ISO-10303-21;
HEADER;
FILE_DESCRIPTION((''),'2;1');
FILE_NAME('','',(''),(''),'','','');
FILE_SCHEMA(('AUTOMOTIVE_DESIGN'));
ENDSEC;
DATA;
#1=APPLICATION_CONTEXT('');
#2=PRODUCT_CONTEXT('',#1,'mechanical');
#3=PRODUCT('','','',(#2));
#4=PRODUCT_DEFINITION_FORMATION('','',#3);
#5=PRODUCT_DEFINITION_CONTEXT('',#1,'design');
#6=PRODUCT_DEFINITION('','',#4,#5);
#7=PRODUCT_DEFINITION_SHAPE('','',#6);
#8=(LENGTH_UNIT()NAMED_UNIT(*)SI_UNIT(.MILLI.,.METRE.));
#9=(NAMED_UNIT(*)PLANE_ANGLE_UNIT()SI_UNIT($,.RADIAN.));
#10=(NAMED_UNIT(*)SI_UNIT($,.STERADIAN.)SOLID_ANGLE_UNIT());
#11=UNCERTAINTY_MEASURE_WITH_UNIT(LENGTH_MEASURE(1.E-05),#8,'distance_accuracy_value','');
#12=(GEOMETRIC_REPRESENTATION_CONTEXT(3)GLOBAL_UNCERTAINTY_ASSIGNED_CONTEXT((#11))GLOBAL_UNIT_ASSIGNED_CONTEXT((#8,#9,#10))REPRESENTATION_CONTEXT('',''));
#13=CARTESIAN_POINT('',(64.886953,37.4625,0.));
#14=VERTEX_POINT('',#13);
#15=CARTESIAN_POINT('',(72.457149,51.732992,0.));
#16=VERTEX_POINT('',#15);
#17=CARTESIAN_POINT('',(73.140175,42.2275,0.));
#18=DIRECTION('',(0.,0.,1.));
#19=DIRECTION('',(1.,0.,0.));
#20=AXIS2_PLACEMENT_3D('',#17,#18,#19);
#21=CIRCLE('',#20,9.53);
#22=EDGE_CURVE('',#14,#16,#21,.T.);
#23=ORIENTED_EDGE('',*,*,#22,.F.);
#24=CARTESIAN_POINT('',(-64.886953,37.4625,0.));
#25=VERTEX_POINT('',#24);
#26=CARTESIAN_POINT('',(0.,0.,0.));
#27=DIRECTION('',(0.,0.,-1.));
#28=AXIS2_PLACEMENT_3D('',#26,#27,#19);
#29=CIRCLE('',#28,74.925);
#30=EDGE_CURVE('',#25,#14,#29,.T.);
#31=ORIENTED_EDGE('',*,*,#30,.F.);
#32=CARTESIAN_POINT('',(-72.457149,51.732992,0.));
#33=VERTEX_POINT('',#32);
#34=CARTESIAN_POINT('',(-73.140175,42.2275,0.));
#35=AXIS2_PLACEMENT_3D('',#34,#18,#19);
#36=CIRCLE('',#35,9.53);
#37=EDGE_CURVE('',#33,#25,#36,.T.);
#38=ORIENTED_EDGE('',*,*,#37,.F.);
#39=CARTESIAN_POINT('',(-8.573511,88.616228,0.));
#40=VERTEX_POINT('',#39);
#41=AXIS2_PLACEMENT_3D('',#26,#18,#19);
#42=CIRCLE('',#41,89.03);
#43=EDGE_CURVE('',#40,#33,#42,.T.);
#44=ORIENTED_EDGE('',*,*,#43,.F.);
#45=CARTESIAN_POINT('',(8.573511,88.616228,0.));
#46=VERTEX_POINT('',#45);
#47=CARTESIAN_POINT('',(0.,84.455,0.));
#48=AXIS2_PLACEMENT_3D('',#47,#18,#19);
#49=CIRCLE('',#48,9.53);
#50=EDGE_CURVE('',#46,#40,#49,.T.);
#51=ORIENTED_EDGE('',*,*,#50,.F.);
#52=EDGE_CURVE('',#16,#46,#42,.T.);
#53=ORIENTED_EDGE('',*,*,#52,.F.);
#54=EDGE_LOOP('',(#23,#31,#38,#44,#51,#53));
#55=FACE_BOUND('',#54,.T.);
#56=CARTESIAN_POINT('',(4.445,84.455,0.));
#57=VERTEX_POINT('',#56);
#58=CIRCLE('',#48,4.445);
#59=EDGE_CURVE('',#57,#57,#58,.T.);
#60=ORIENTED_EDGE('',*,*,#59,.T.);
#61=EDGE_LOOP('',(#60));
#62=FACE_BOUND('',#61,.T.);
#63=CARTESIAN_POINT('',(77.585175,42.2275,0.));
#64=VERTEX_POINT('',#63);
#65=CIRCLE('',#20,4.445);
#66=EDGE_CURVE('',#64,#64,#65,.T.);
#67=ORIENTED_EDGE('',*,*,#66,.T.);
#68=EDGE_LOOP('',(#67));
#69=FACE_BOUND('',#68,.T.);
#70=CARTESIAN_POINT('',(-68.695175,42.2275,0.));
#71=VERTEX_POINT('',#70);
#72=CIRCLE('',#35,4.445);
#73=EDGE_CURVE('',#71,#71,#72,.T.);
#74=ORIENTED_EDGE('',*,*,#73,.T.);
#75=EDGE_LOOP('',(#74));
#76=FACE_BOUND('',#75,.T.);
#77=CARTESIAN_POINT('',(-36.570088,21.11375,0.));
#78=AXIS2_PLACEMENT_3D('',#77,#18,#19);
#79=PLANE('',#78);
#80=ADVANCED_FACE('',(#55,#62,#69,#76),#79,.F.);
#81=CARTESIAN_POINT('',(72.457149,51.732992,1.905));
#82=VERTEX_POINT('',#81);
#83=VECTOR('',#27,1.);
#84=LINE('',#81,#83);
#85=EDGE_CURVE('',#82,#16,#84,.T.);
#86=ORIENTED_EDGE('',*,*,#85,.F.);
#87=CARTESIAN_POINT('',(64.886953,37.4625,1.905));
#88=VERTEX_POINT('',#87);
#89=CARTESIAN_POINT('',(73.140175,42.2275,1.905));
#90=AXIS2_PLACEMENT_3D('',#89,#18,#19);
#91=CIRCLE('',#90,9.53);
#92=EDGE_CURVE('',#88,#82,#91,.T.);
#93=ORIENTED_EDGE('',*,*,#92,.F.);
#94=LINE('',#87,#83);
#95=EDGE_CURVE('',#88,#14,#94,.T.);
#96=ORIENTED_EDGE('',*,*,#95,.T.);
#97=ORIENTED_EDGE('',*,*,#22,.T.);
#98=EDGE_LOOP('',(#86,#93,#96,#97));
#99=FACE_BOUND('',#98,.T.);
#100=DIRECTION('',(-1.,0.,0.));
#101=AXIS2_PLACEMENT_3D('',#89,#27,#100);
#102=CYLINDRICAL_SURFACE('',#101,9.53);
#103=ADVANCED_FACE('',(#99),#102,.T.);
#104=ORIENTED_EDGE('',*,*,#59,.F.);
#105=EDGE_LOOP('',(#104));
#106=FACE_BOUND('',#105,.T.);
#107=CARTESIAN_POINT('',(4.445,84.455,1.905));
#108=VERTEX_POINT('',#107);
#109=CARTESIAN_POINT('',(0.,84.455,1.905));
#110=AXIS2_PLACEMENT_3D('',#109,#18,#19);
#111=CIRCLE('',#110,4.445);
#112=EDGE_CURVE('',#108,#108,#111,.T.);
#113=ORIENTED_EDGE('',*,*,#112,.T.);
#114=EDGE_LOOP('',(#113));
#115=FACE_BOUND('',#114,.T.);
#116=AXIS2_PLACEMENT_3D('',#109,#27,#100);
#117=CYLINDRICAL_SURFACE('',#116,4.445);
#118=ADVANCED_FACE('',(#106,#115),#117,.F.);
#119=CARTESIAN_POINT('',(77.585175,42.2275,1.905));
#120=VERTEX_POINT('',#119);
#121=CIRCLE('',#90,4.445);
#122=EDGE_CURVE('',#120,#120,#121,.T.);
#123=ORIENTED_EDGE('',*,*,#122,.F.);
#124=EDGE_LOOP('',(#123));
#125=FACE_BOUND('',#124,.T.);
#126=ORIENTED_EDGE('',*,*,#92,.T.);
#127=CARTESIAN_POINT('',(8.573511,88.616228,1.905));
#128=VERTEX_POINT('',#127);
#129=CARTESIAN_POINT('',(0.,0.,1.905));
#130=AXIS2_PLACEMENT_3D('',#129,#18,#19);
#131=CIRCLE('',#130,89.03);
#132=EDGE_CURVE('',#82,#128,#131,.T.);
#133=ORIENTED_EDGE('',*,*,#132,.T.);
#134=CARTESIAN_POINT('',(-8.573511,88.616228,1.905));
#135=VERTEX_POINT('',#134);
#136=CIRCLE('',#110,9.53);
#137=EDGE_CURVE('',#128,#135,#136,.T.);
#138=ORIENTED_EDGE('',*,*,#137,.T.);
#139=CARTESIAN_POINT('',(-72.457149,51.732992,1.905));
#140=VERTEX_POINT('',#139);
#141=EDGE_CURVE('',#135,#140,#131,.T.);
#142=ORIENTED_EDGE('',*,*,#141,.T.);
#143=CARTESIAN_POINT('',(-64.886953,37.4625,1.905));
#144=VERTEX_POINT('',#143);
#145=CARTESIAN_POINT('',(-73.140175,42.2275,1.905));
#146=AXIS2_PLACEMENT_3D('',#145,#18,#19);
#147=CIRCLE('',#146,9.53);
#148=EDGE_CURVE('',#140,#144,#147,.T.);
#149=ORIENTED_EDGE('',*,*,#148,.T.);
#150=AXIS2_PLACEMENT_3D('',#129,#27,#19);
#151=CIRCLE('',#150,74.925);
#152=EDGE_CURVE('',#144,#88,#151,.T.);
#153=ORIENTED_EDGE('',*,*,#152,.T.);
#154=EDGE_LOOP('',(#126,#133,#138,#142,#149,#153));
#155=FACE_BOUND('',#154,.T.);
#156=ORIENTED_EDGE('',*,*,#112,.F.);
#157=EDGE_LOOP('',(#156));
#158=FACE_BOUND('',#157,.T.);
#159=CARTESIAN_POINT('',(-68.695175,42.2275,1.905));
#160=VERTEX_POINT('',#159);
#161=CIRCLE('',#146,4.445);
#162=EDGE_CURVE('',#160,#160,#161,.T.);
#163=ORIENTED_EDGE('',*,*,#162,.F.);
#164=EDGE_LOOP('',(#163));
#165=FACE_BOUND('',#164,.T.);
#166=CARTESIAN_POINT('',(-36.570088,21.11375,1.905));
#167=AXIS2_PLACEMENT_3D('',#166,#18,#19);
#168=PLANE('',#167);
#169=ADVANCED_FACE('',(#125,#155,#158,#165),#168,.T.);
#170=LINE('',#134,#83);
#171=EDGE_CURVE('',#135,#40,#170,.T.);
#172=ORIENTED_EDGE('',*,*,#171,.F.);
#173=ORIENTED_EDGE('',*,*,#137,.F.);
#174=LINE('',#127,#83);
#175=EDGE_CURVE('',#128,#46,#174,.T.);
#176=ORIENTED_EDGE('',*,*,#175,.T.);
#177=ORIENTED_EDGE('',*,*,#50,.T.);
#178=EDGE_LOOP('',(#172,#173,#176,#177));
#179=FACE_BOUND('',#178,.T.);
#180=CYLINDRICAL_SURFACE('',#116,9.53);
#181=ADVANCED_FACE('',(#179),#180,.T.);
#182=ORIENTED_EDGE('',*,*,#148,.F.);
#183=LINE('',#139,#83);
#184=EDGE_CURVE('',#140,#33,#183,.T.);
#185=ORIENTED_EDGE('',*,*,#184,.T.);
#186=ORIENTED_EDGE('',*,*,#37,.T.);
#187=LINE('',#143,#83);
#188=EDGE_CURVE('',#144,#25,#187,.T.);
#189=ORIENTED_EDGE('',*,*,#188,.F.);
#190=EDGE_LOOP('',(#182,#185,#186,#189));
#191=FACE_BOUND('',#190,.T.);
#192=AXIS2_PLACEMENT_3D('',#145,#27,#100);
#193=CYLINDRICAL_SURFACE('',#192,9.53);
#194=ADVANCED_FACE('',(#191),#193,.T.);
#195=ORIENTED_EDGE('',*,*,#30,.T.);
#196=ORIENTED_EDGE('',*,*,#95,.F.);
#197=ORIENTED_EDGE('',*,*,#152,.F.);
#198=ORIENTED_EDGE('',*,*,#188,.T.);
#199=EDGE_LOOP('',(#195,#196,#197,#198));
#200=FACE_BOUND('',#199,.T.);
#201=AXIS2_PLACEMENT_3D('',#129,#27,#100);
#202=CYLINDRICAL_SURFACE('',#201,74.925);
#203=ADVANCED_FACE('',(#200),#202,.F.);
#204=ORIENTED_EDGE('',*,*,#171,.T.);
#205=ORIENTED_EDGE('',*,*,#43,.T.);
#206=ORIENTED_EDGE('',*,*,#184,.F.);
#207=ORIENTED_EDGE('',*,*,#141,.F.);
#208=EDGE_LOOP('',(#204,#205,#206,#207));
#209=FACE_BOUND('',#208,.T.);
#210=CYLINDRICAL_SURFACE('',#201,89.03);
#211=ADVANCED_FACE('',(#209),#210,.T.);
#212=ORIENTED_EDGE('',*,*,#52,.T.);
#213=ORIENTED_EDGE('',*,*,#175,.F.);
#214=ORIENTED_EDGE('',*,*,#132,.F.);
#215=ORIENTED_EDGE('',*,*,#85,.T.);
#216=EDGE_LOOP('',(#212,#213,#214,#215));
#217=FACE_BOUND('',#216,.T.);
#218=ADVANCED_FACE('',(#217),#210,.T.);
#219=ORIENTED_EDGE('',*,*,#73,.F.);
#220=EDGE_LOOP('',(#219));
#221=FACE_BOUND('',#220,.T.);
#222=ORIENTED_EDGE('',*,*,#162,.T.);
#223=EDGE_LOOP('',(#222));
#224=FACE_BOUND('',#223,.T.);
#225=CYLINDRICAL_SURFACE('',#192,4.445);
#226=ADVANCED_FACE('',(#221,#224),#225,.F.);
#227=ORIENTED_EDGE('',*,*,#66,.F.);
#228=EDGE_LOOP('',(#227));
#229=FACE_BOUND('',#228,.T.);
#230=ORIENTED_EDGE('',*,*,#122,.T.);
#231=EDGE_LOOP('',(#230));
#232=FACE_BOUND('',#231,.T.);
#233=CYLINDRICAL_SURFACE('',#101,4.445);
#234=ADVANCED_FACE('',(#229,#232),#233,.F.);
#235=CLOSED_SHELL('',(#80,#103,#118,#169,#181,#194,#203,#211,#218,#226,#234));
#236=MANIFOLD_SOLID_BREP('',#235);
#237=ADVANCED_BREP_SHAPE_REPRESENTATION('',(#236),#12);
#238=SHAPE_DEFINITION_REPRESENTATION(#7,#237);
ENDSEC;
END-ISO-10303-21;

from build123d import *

# Parameters (mm, degrees)
CROQUIS1_R              = 4.445
SALIENTE_EXTRUIR1_DEPTH = 1.905


with BuildPart() as part:
    # Croquis1 → Saliente-Extruir1 (new body)
    with BuildSketch(Plane.XY):
        with BuildLine():
            ThreePointArc((-72.457149103, 51.732991832), (-81.558956176, 37.761513936), (-64.886953379, 37.4625))
            ThreePointArc((-64.886953379, 37.4625), (0, 74.925), (64.886953379, 37.4625))
            ThreePointArc((64.886953379, 37.4625), (81.558956176, 37.761513936), (72.457149103, 51.732991832))
            ThreePointArc((72.457149103, 51.732991832), (44.515, 77.102241699), (8.573510589, 88.616227725))
            ThreePointArc((8.573510589, 88.616227725), (0, 93.985), (-8.573510589, 88.616227725))
            ThreePointArc((-8.573510589, 88.616227725), (-44.515, 77.102241699), (-72.457149103, 51.732991832))
        make_face()
        with Locations((-73.140175477, 42.2275)):
            Circle(CROQUIS1_R, mode=Mode.SUBTRACT)
        with Locations((73.140175477, 42.2275)):
            Circle(CROQUIS1_R, mode=Mode.SUBTRACT)
        with Locations((0, 84.455)):
            Circle(CROQUIS1_R, mode=Mode.SUBTRACT)
    extrude(amount=SALIENTE_EXTRUIR1_DEPTH)


solid = part.part
